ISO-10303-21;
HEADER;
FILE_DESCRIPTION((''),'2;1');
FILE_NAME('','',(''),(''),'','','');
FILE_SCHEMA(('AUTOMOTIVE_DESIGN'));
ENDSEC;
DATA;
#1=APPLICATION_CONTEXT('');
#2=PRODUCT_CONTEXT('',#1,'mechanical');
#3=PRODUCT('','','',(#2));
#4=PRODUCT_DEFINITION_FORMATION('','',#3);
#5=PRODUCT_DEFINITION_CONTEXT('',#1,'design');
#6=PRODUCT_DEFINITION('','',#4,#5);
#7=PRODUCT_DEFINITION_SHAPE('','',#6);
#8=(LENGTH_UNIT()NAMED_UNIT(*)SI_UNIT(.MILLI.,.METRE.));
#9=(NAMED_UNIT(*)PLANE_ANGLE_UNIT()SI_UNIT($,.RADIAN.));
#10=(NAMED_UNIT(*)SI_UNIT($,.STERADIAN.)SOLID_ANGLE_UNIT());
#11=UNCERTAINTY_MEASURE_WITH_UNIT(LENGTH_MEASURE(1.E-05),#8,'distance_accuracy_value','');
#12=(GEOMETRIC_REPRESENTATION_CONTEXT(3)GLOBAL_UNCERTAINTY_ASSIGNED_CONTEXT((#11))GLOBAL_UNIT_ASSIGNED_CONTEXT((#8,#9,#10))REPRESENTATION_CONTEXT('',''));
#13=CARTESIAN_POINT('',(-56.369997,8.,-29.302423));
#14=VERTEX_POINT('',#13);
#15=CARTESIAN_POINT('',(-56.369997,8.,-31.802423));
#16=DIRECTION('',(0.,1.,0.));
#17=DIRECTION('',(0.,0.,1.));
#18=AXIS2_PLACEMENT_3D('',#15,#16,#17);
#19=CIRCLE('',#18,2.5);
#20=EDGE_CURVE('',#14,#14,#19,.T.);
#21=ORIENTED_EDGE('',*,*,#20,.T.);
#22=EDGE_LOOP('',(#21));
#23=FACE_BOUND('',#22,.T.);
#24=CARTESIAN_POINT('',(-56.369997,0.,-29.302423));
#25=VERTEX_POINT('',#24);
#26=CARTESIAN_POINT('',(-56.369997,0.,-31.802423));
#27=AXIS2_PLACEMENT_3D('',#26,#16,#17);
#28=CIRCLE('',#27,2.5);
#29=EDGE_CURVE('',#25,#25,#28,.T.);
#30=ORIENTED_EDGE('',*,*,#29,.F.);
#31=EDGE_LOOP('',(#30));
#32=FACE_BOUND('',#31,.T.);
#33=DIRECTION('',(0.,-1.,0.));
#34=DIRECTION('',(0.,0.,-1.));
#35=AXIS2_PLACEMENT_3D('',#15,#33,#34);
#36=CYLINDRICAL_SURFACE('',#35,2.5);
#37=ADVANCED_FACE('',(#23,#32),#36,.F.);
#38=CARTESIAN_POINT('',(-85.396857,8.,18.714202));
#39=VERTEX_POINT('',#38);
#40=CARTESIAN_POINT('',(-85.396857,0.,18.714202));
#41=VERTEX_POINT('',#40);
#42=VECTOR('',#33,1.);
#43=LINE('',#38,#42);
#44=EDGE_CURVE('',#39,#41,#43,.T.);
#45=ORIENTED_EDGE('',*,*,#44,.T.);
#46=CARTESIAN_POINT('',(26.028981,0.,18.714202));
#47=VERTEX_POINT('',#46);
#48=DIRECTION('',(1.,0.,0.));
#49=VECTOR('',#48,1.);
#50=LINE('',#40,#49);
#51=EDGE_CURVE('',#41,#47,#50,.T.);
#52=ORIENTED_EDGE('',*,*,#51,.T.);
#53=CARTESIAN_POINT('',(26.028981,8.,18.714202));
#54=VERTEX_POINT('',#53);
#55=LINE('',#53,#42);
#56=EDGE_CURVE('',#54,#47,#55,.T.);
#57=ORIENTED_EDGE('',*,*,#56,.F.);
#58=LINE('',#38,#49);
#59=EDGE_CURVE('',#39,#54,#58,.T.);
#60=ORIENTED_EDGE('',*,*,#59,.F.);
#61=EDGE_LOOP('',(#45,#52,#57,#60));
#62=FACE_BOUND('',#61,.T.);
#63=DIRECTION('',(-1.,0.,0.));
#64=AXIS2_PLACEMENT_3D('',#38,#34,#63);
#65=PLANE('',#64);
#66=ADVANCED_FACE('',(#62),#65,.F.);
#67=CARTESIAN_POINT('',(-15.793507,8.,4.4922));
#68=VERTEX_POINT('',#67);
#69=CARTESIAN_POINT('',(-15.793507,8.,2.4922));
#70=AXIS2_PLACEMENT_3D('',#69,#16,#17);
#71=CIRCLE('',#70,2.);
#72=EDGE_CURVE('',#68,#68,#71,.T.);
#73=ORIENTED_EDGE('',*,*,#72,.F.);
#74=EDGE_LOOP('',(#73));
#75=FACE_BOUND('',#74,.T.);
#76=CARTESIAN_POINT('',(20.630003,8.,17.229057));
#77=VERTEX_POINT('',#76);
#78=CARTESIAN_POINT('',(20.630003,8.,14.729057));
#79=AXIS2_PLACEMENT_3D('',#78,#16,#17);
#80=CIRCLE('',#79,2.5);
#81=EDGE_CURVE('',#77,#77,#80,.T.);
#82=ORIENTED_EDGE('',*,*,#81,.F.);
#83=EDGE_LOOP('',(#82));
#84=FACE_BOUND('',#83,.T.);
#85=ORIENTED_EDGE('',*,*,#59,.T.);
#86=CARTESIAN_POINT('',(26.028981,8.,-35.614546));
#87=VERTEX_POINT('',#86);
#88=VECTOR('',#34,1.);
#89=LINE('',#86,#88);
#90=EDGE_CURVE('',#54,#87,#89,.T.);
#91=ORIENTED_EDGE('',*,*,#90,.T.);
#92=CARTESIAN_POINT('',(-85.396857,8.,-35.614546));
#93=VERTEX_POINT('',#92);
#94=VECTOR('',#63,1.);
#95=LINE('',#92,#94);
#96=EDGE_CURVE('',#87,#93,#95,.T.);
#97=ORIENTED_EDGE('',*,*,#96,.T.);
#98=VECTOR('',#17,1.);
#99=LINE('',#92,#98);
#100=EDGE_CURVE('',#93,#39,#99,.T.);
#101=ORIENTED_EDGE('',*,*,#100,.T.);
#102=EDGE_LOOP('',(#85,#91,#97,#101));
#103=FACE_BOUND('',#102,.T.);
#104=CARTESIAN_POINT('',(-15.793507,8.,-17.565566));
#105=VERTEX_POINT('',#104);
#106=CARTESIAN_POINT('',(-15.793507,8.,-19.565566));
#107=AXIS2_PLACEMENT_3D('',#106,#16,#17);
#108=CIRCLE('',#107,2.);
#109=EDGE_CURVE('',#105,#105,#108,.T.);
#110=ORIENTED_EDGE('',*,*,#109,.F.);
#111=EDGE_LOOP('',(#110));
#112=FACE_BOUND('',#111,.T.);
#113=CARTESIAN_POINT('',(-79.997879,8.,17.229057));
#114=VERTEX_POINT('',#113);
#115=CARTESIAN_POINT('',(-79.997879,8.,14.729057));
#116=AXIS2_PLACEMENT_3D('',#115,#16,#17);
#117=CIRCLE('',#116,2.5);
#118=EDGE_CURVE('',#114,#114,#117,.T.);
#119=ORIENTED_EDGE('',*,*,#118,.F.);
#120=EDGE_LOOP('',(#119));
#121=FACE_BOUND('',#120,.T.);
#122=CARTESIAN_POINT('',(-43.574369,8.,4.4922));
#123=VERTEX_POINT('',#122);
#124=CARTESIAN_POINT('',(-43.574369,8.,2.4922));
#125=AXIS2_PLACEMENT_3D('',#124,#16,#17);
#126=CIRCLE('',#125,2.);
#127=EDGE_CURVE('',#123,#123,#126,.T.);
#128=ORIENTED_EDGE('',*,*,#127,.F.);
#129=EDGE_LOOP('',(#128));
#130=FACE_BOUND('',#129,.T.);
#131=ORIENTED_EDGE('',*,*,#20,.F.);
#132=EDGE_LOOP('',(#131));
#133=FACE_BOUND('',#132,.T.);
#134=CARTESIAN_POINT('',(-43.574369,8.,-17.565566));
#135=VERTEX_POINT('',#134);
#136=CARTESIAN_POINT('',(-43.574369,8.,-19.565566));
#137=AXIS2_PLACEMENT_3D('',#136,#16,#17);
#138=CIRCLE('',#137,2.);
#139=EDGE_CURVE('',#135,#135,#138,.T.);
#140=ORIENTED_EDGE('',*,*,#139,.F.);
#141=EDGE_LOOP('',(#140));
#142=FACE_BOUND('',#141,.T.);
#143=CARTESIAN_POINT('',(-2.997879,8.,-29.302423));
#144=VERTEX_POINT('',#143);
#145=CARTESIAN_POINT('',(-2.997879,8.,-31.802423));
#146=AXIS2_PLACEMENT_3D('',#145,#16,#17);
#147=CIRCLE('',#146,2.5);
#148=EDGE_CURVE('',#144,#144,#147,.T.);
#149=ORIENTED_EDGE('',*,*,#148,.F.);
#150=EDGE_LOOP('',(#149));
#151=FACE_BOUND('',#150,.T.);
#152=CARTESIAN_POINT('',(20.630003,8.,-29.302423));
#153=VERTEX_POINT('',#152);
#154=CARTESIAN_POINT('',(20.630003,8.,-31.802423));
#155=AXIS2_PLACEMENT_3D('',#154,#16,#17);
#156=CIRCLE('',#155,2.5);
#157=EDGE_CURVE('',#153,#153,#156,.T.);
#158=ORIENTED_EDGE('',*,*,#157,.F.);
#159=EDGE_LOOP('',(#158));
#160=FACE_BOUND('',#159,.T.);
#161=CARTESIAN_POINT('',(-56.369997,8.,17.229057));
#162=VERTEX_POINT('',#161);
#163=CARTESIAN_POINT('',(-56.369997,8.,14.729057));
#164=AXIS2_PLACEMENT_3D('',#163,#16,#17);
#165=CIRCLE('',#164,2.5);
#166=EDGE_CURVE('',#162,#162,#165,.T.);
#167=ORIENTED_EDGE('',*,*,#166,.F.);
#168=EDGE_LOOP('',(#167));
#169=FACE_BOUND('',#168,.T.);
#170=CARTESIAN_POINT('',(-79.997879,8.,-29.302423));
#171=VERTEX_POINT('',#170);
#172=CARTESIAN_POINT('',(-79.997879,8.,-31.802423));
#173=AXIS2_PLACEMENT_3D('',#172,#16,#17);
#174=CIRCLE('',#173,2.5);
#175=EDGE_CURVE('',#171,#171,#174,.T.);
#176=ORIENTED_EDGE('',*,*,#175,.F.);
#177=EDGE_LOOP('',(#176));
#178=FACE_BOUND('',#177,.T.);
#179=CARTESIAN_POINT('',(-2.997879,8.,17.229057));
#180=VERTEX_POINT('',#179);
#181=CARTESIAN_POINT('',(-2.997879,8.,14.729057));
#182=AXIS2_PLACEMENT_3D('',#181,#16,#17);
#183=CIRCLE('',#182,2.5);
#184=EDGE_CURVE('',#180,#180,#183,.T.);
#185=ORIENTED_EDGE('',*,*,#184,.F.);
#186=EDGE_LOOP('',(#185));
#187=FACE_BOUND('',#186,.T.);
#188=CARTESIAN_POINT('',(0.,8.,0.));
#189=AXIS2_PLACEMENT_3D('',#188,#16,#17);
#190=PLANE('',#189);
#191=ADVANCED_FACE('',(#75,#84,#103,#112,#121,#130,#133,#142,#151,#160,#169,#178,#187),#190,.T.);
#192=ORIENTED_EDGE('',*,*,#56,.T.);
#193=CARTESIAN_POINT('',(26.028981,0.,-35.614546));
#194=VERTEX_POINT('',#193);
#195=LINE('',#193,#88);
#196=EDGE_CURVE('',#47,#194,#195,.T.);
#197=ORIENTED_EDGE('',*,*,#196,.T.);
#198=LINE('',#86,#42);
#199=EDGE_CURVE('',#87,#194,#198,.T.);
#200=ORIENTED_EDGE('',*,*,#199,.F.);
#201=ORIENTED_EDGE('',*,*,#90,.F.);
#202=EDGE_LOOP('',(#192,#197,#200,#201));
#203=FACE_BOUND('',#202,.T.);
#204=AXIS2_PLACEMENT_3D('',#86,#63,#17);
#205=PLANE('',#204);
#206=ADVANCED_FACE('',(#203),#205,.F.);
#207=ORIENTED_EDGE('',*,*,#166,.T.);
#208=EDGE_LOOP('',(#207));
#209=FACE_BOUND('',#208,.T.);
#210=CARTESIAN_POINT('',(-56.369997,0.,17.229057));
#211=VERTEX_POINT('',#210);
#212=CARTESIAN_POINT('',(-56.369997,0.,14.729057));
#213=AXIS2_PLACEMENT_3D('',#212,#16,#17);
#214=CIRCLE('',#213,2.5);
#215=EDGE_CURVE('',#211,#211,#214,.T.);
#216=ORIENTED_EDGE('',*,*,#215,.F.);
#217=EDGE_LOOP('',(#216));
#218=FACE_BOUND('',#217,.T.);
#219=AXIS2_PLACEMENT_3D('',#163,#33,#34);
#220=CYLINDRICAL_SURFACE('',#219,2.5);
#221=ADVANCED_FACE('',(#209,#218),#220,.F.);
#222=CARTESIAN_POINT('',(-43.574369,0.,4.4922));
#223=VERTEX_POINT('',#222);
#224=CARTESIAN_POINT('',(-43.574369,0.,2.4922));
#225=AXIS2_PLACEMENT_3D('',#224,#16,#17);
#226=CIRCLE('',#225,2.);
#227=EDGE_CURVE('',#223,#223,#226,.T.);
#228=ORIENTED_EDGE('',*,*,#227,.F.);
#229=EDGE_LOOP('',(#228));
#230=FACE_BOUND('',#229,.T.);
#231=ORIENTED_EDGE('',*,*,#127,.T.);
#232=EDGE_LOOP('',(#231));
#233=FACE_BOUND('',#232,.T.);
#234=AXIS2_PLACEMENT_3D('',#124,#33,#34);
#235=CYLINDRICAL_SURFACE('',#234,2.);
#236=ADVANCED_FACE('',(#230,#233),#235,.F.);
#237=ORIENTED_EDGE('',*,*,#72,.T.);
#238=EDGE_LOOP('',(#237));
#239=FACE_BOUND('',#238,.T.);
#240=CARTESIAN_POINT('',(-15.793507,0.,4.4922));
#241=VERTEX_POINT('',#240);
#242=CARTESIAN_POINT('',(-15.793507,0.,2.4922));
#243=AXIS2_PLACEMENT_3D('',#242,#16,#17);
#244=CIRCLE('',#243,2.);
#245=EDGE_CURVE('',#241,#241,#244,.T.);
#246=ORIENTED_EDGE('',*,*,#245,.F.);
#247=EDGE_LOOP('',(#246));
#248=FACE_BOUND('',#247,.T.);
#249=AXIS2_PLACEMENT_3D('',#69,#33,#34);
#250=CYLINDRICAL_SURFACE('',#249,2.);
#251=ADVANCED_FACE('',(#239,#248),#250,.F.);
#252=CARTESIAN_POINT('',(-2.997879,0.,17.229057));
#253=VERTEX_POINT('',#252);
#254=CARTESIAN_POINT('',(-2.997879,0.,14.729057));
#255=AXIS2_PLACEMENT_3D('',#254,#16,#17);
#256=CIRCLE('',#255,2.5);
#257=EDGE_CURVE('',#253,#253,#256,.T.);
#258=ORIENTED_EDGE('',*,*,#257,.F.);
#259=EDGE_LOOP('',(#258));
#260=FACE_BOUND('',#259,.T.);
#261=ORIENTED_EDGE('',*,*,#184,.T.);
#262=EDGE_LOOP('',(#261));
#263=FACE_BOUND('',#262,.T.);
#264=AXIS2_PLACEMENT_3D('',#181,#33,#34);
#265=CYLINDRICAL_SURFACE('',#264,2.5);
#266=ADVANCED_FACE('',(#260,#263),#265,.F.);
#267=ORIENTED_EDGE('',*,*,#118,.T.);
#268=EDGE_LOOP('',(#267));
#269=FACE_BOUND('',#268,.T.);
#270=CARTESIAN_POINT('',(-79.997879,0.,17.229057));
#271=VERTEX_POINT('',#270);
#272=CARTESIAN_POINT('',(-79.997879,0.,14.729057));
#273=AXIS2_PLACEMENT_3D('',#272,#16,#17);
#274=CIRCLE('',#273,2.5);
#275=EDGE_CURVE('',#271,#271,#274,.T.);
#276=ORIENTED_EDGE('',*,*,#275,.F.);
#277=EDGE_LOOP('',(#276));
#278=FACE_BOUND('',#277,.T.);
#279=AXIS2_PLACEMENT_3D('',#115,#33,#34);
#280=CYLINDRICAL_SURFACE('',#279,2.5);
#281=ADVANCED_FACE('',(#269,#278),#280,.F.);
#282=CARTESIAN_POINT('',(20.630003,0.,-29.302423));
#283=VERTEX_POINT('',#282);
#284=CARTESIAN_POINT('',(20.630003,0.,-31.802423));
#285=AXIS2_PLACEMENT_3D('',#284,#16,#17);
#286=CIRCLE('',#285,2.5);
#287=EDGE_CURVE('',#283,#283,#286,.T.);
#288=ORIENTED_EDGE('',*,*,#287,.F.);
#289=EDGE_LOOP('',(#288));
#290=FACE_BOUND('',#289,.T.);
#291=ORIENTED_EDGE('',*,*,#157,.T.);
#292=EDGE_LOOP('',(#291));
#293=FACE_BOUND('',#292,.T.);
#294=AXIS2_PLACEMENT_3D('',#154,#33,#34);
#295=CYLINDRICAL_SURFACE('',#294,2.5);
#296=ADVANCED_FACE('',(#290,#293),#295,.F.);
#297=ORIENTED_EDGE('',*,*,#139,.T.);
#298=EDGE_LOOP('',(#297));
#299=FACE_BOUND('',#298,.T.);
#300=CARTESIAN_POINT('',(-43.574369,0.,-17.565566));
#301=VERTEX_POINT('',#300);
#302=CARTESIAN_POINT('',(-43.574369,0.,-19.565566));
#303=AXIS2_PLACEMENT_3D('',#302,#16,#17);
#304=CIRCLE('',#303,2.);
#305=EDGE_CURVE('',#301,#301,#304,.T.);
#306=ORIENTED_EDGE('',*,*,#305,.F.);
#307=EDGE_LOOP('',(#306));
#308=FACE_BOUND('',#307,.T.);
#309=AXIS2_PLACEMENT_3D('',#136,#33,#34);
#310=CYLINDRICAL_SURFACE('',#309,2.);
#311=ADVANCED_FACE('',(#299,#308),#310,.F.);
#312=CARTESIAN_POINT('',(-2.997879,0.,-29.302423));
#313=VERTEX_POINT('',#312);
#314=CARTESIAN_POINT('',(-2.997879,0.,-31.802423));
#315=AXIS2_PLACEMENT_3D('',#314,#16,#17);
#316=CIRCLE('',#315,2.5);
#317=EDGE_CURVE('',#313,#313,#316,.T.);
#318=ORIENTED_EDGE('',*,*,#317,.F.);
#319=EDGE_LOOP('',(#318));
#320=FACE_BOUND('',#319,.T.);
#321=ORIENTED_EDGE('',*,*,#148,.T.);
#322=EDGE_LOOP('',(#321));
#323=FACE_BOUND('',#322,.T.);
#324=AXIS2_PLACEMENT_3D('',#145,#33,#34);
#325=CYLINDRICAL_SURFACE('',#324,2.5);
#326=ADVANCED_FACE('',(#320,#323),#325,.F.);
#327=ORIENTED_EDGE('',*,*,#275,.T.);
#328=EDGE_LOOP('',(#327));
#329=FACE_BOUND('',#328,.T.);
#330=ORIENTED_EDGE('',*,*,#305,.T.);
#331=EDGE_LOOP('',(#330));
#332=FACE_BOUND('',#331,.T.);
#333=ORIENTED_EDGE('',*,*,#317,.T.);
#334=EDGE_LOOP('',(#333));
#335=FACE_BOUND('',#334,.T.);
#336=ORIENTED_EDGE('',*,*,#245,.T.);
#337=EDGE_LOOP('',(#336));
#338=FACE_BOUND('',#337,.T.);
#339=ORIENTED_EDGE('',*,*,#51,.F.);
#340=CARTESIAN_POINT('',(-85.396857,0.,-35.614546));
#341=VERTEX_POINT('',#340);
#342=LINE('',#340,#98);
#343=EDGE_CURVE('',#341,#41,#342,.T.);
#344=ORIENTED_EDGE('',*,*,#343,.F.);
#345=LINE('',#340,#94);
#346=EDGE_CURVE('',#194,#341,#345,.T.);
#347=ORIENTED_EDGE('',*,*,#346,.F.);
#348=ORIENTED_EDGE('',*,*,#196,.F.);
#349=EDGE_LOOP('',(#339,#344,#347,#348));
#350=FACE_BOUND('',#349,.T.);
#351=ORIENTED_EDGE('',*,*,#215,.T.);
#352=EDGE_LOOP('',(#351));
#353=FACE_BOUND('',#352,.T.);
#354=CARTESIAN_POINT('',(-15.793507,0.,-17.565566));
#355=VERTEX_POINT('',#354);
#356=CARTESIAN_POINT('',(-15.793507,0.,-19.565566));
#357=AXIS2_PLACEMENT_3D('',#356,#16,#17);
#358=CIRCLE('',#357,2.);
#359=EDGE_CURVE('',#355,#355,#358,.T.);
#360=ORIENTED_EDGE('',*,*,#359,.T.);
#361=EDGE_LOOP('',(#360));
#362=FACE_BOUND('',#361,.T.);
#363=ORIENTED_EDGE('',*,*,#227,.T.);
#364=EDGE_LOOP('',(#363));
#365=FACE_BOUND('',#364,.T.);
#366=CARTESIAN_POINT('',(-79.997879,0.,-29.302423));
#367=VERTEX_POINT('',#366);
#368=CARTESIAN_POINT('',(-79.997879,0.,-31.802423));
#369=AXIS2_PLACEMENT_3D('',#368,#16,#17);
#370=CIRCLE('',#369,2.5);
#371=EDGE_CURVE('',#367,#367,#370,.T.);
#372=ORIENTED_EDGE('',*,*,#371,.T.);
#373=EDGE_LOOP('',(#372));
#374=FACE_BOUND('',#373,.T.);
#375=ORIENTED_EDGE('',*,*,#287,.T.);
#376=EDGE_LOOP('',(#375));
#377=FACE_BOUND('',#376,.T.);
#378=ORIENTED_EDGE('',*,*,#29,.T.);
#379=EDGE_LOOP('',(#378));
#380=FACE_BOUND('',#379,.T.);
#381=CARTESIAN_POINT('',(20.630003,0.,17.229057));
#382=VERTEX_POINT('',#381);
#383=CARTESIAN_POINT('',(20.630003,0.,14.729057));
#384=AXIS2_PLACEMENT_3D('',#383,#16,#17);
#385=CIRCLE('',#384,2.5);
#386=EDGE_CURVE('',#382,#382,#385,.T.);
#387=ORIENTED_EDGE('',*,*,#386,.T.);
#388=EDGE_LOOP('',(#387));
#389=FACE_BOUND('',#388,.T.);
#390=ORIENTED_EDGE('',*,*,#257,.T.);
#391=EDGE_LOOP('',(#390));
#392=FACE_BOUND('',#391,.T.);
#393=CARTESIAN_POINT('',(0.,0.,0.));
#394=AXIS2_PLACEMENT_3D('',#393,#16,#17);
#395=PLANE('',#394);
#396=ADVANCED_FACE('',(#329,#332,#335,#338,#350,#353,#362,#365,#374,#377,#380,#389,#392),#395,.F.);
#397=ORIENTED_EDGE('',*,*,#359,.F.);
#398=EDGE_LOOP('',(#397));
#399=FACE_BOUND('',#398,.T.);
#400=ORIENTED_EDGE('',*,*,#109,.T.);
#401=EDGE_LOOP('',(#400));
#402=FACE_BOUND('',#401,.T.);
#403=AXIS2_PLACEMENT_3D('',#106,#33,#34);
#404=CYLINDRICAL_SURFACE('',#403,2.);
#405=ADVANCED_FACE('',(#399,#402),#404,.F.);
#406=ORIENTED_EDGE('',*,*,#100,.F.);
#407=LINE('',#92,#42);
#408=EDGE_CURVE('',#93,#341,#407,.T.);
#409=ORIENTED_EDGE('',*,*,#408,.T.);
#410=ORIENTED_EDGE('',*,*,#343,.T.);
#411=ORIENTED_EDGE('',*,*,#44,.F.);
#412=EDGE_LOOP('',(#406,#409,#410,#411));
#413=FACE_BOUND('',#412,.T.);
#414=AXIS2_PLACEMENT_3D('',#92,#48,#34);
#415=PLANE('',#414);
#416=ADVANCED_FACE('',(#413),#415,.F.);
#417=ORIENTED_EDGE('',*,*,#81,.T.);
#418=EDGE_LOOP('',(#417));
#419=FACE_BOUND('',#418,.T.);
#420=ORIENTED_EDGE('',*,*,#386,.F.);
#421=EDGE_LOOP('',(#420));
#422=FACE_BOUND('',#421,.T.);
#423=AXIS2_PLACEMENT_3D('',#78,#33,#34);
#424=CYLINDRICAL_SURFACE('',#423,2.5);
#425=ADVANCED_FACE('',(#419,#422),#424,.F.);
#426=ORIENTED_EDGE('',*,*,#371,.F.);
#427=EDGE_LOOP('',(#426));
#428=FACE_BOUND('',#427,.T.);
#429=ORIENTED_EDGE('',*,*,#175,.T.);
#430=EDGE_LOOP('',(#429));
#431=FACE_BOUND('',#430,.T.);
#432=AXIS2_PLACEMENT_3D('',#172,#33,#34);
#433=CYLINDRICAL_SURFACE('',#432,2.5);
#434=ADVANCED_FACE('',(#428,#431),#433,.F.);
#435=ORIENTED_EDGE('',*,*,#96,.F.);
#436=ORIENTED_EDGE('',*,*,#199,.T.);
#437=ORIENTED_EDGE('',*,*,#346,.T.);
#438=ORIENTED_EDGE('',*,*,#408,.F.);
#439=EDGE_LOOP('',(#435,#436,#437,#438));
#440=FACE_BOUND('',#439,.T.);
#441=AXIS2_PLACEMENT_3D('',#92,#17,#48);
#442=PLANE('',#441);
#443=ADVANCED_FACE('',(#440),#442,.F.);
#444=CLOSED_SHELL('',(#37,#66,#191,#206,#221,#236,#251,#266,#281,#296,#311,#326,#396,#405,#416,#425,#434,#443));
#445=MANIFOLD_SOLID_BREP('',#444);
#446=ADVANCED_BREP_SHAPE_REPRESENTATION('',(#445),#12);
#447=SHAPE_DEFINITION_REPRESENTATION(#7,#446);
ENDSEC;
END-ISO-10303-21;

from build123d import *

# Parameters (mm, degrees)
SKETCH1_W           = 111.425838438
SKETCH1_H           = 54.328747314
SKETCH1_R           = 2.5
SKETCH1_R_2         = 2
BOSS_EXTRUDE1_DEPTH = 8


with BuildPart() as part:
    # Sketch1 → Boss-Extrude1 (new body)
    with BuildSketch(Plane(origin=(0, 0, 0), x_dir=(1, 0, 0), z_dir=(0, 1, 0))):
        with Locations((-29.683937911, 8.450172106)):
            Rectangle(SKETCH1_W, SKETCH1_H)
        with Locations((20.630003191, 31.802423001)):
            Circle(SKETCH1_R, mode=Mode.SUBTRACT)
        with Locations((-2.997879012, 31.802423001)):
            Circle(SKETCH1_R, mode=Mode.SUBTRACT)
        with Locations((20.630003191, -14.729057301)):
            Circle(SKETCH1_R, mode=Mode.SUBTRACT)
        with Locations((-2.997879012, -14.729057301)):
            Circle(SKETCH1_R, mode=Mode.SUBTRACT)
        with Locations((-43.574368795, 19.565565741)):
            Circle(SKETCH1_R_2, mode=Mode.SUBTRACT)
        with Locations((-15.793507027, 19.565565741)):
            Circle(SKETCH1_R_2, mode=Mode.SUBTRACT)
        with Locations((-15.793507027, -2.492200041)):
            Circle(SKETCH1_R_2, mode=Mode.SUBTRACT)
        with Locations((-43.574368795, -2.492200041)):
            Circle(SKETCH1_R_2, mode=Mode.SUBTRACT)
        with Locations((-56.369996809, 31.802423001)):
            Circle(SKETCH1_R, mode=Mode.SUBTRACT)
        with Locations((-79.997879012, 31.802423001)):
            Circle(SKETCH1_R, mode=Mode.SUBTRACT)
        with Locations((-79.997879012, -14.729057301)):
            Circle(SKETCH1_R, mode=Mode.SUBTRACT)
        with Locations((-56.369996809, -14.729057301)):
            Circle(SKETCH1_R, mode=Mode.SUBTRACT)
    extrude(amount=BOSS_EXTRUDE1_DEPTH)


solid = part.part
